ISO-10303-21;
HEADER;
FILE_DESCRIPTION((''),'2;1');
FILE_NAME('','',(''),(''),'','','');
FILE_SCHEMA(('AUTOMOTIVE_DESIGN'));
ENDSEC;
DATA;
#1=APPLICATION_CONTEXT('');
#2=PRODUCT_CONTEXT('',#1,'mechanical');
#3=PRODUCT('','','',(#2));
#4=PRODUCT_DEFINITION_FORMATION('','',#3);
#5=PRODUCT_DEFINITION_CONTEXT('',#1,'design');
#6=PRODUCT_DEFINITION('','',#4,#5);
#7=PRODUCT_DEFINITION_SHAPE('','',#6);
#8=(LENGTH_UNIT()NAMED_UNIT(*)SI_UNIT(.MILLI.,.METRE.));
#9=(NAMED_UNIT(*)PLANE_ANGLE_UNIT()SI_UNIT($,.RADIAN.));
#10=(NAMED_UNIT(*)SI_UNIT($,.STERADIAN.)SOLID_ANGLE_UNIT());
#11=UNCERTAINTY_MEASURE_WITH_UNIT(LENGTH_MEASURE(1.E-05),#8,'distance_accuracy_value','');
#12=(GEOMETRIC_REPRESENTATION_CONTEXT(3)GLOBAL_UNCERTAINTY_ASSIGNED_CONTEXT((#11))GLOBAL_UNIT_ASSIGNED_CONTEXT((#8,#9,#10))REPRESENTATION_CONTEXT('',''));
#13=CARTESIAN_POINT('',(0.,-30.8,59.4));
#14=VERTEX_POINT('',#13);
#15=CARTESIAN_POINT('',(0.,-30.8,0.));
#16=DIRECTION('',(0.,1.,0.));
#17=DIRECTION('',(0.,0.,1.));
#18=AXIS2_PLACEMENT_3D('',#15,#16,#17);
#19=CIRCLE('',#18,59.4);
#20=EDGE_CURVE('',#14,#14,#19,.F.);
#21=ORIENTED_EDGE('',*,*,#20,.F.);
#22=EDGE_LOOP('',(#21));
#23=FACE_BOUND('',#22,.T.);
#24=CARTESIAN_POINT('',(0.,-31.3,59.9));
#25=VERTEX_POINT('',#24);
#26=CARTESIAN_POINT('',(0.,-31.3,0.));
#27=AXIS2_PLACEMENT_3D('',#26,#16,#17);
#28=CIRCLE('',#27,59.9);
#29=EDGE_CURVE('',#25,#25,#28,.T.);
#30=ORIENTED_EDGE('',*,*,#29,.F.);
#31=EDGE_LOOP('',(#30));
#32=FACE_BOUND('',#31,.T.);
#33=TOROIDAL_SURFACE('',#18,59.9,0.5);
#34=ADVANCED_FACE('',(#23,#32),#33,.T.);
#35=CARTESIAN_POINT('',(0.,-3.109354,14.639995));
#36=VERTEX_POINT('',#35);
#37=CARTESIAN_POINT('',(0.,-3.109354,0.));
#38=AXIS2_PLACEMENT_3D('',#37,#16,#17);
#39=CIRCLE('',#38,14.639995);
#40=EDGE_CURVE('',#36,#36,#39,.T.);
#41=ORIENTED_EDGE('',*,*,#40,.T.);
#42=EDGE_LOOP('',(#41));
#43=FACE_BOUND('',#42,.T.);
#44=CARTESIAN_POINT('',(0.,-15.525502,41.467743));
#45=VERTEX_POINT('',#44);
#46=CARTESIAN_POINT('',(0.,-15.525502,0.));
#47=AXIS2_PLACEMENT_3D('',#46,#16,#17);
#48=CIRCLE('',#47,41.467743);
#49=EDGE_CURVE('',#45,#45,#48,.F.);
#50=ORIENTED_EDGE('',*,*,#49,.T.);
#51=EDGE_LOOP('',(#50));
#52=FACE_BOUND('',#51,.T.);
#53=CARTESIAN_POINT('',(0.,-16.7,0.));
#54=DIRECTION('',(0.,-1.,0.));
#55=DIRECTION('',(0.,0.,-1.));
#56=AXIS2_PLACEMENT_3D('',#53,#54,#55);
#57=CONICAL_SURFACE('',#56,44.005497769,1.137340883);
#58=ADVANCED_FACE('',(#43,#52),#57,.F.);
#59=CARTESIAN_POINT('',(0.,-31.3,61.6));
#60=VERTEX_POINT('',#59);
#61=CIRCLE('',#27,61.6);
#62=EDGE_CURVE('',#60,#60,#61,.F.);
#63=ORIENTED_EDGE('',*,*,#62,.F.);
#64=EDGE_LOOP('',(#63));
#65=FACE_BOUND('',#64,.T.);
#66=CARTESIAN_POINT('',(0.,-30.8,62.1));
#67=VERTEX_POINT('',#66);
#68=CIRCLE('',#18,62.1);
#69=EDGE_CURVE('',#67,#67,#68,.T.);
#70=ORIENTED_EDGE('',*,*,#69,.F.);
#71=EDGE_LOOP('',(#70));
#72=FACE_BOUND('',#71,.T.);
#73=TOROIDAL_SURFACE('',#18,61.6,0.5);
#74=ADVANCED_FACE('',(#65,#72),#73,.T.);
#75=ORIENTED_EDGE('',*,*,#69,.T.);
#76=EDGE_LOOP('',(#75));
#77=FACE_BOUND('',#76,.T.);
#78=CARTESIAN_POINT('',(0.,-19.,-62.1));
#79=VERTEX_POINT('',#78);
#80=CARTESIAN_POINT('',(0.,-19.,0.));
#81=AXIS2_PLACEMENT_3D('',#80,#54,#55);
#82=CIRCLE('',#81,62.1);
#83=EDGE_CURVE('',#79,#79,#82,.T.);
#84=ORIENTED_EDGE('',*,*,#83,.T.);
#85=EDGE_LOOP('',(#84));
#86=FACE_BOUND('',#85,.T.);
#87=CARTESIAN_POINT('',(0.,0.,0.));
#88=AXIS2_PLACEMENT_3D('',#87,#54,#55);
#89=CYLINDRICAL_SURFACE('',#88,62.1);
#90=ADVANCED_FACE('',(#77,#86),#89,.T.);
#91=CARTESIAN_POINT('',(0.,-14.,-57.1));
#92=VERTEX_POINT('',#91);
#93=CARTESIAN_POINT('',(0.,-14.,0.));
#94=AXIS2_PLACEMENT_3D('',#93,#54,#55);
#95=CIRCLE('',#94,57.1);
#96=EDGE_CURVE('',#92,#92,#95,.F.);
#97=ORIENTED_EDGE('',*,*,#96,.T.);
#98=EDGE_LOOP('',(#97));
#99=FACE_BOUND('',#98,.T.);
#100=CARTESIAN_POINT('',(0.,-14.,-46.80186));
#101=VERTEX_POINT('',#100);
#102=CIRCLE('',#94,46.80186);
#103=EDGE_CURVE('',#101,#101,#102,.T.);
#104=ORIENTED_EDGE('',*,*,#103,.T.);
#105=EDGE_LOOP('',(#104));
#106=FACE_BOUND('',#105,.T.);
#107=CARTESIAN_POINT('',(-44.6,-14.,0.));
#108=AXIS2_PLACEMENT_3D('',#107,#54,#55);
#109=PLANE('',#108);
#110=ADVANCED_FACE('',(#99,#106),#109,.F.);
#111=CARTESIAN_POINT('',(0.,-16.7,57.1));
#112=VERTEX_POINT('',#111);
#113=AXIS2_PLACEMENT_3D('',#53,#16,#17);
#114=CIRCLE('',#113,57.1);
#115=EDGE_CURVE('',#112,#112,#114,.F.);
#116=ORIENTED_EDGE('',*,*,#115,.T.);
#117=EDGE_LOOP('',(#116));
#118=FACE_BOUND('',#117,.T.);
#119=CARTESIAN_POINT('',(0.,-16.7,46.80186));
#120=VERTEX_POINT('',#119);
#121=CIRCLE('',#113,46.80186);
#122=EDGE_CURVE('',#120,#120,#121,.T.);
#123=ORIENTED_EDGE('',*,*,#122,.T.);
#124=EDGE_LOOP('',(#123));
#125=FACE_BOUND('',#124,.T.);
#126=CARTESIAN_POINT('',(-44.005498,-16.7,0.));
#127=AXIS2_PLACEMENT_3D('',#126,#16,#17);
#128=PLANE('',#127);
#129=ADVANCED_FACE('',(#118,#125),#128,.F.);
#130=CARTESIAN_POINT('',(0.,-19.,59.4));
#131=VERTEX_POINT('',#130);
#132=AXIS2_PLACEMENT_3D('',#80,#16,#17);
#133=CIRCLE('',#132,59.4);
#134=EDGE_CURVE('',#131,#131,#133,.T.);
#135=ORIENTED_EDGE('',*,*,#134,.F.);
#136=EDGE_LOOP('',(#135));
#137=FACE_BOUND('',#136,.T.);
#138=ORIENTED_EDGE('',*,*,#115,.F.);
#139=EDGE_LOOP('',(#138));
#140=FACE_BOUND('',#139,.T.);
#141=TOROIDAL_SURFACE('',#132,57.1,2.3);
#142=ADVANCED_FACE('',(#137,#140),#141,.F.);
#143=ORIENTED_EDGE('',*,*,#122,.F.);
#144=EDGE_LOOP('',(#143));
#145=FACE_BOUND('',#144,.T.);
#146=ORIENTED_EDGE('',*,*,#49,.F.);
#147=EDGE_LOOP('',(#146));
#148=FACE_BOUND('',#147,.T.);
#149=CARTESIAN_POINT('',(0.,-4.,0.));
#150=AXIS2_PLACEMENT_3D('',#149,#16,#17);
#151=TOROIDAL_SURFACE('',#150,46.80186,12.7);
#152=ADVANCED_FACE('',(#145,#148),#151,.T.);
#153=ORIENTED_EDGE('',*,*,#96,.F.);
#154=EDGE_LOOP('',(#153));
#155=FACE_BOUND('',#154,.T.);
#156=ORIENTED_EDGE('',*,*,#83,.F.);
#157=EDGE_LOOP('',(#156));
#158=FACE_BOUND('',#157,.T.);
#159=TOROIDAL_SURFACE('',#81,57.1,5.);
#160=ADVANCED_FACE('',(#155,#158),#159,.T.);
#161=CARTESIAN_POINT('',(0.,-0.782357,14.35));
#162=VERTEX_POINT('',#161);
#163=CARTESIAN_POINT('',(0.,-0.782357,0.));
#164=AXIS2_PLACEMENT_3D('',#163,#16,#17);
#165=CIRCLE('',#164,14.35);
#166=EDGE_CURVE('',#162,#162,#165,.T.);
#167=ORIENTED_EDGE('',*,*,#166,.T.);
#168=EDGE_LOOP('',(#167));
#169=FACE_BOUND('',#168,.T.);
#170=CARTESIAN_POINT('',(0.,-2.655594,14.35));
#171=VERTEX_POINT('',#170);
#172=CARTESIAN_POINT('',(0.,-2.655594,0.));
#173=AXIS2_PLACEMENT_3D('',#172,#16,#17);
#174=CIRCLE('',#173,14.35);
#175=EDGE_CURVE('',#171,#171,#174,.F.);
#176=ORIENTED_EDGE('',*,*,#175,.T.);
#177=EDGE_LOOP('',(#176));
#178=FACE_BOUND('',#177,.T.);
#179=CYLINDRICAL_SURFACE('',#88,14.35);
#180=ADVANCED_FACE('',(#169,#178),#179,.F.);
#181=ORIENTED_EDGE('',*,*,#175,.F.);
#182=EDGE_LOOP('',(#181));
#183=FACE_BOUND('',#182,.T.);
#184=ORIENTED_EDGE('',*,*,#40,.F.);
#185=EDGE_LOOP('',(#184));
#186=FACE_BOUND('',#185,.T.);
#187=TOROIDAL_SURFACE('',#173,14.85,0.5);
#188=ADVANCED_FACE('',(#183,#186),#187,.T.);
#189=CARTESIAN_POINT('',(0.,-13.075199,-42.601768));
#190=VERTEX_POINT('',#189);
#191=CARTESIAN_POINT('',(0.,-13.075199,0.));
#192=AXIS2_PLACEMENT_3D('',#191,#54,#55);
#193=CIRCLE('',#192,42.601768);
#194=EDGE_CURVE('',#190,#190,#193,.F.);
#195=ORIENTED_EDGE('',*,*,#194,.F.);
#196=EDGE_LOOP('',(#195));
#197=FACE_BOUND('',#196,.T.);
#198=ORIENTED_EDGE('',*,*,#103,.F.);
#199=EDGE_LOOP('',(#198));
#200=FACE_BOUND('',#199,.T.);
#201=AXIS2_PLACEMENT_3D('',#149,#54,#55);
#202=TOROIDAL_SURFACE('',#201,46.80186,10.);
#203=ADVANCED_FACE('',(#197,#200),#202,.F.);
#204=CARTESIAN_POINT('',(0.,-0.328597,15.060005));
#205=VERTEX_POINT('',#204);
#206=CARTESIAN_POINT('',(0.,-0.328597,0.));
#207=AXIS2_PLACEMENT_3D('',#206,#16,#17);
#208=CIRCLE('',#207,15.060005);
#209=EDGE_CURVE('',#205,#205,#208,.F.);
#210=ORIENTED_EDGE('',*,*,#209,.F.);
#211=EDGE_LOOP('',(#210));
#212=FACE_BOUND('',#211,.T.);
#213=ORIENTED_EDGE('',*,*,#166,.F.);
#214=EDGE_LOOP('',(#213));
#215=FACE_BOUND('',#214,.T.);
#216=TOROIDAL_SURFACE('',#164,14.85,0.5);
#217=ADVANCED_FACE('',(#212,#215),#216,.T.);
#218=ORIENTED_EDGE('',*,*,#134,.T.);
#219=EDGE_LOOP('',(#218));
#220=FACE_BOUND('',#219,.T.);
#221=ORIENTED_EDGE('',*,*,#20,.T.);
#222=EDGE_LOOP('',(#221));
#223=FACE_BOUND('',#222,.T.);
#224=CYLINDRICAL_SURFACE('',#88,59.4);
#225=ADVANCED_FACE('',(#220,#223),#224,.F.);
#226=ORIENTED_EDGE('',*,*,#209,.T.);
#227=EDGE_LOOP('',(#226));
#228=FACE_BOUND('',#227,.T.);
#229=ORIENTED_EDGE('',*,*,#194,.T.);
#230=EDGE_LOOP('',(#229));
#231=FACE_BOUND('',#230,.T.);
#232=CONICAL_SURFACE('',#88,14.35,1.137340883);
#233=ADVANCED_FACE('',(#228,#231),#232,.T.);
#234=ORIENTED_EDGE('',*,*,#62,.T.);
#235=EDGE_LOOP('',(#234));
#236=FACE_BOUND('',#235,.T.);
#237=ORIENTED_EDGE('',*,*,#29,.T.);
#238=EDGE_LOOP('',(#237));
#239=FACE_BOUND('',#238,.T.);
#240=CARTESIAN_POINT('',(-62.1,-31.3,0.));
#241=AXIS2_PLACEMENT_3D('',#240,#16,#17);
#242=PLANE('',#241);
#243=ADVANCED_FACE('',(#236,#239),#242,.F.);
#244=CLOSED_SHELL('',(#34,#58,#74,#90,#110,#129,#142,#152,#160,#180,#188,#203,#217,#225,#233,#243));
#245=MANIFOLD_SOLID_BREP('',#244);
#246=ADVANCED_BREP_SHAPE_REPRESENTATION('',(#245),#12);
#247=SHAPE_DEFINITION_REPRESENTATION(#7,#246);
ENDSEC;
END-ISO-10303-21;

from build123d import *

# Parameters (mm, degrees)
FILLET1_R = 5
FILLET2_R = 2.3
FILLET3_R = 10
FILLET4_R = 12.7
FILLET5_R = 0.5


with BuildPart() as part:
    # Sketch1 → Revolve1 (revolve)
    with BuildSketch(Plane.XY, mode=Mode.PRIVATE) as revolve1_sk:
        Polygon((-14.35, 0), (-44.6, -14), (-62.1, -14), (-62.1, -31.3), (-59.4, -31.3), (-59.4, -16.7), (-44.005497769, -16.7), (-14.35, -2.975141528), align=None)
    revolve(revolve1_sk.sketch.rotate(Axis((0, 0, 0), (0, 1, 0)), 270), axis=Axis((0, 0, 0), (0, 1, 0)))

    # Fillet1
    fillet1_edges = [part.edges().sort_by_distance(p)[0] for p in [
        (0, -14, 62.1),
    ]]
    fillet(fillet1_edges, radius=FILLET1_R)

    # Fillet2
    fillet2_edges = [part.edges().sort_by_distance(p)[0] for p in [
        (0, -16.7, 59.4),
    ]]
    fillet(fillet2_edges, radius=FILLET2_R)

    # Fillet3
    fillet3_edges = [part.edges().sort_by_distance(p)[0] for p in [
        (0, -14, 44.6),
    ]]
    fillet(fillet3_edges, radius=FILLET3_R)

    # Fillet4
    fillet4_edges = [part.edges().sort_by_distance(p)[0] for p in [
        (0, -16.7, 44.005497769),
    ]]
    fillet(fillet4_edges, radius=FILLET4_R)

    # Fillet5
    fillet5_edges = [part.edges().sort_by_distance(p)[0] for p in [
        (0, 0, 14.35),
        (0, -31.3, 62.1),
        (0, -31.3, 59.4),
        (0, -2.975141528, 14.35),
    ]]
    fillet(fillet5_edges, radius=FILLET5_R)


solid = part.part
